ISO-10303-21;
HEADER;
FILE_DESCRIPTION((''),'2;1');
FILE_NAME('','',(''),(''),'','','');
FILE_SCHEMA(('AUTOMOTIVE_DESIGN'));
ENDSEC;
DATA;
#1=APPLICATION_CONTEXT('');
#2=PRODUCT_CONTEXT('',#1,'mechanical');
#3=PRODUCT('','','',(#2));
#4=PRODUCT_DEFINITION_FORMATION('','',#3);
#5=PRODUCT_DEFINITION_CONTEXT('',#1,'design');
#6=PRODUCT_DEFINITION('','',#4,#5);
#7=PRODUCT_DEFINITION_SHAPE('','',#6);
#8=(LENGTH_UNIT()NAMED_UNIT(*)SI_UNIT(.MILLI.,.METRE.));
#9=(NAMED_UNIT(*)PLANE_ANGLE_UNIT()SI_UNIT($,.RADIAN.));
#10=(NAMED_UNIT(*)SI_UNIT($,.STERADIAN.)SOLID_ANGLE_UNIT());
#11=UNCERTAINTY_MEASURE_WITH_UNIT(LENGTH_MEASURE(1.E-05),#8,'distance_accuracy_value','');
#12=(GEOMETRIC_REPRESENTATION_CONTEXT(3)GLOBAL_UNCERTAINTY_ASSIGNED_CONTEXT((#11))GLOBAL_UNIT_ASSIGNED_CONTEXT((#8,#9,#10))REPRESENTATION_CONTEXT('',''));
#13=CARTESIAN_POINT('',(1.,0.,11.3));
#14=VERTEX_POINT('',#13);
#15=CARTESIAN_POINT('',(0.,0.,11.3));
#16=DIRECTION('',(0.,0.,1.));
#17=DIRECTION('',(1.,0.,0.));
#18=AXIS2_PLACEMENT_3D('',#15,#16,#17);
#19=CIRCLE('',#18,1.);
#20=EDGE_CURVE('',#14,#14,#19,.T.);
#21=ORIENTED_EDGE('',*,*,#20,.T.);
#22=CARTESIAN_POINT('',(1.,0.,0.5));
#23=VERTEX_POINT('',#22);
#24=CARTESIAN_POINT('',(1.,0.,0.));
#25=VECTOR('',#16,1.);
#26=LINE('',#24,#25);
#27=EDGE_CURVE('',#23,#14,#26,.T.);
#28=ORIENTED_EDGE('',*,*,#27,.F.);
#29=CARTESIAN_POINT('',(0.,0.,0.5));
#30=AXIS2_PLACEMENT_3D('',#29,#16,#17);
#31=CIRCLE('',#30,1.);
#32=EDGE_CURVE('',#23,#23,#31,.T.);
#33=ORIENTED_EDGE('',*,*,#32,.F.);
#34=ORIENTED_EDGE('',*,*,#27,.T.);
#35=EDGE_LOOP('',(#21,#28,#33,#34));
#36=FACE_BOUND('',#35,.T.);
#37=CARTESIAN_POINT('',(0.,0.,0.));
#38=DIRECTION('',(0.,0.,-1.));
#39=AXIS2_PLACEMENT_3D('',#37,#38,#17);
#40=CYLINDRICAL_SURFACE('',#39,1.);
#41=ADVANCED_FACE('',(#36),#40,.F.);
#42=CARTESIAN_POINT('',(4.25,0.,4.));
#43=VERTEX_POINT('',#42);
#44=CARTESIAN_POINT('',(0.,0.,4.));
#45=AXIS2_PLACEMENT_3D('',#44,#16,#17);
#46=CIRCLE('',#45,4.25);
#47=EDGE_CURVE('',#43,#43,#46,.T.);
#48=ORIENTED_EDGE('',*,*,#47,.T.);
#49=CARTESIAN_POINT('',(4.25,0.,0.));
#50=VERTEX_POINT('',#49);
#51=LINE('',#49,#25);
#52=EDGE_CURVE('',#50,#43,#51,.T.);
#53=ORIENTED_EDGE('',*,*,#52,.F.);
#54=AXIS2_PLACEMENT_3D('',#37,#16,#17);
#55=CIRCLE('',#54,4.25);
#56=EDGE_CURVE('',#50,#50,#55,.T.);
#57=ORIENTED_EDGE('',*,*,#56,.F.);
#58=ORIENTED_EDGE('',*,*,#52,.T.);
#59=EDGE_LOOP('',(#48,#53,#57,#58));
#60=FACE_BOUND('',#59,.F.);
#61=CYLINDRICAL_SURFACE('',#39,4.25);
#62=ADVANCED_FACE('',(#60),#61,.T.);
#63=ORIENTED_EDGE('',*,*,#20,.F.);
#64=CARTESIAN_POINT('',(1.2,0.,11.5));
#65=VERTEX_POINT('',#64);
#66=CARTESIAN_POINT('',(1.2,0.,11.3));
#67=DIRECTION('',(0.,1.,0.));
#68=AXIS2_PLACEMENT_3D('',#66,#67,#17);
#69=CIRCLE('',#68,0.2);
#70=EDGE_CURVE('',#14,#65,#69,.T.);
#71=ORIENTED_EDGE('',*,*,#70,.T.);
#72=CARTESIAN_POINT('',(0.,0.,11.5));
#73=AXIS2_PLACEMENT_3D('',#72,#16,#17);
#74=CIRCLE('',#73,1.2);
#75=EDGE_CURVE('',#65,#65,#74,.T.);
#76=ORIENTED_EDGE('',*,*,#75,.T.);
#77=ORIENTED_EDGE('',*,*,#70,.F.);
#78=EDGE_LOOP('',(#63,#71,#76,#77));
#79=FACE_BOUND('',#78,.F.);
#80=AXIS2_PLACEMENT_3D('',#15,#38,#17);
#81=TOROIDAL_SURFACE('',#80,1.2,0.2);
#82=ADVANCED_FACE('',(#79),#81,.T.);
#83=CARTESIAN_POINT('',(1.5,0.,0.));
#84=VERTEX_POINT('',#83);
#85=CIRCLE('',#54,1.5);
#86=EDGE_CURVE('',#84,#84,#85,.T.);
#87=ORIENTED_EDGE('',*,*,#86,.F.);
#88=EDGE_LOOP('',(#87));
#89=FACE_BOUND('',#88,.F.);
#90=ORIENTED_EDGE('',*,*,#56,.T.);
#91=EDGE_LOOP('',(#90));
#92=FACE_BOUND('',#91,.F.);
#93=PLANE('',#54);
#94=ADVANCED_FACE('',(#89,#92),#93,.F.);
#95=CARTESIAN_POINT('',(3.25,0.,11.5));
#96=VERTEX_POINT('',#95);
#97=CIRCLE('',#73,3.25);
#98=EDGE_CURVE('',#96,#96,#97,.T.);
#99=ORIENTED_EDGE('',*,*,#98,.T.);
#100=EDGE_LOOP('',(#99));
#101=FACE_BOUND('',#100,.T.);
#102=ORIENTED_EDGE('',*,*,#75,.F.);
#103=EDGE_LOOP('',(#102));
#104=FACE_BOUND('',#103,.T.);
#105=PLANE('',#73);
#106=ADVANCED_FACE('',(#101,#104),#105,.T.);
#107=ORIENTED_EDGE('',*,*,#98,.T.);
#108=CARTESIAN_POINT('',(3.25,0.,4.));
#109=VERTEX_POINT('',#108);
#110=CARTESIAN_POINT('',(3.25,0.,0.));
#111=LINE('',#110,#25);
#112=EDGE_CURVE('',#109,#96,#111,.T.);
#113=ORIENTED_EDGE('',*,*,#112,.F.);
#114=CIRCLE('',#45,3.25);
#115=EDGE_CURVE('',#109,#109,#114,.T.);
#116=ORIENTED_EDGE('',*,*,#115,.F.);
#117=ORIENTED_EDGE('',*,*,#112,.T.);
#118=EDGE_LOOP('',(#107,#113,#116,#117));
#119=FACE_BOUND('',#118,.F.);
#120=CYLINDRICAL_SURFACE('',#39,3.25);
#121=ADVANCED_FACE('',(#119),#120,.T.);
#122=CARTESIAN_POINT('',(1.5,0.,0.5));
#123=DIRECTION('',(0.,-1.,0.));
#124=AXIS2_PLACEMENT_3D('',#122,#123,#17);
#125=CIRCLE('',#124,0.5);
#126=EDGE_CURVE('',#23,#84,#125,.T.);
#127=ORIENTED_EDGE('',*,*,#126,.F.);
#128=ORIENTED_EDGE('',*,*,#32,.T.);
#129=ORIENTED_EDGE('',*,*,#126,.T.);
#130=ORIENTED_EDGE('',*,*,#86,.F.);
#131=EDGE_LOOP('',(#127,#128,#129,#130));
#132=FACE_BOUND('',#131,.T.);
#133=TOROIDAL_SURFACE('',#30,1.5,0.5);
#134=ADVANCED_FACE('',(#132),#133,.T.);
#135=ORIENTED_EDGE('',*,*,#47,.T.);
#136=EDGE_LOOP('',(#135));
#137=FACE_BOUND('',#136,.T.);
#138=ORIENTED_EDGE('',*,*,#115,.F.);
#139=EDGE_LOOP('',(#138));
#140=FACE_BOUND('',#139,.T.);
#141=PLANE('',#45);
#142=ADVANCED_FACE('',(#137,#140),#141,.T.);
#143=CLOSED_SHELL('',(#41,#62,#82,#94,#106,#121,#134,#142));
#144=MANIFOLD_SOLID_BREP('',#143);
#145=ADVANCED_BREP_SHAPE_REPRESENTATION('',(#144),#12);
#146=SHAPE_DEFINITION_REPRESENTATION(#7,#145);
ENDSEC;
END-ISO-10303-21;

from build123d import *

# Parameters (mm, degrees)
F0_R     = 3.25
F0_R_2   = 1
F1_DEPTH = 11.5
F0_R_3   = 4.25
F2_DEPTH = 4
F3_R     = 0.2
F4_R     = 0.5


with BuildPart() as f1:
    # F0 (on Top) → F1 (new body)
    with BuildSketch(Plane.XY):
        Circle(F0_R)
        Circle(F0_R_2, mode=Mode.SUBTRACT)
    extrude(amount=F1_DEPTH)

    # F0 (on Top) → F2 (join)
    with BuildSketch(Plane.XY):
        Circle(F0_R_3)
        Circle(F0_R, mode=Mode.SUBTRACT)
    extrude(amount=F2_DEPTH)

    # F3
    f3_edges = [f1.edges().sort_by_distance(p)[0] for p in [
        (-1, 0, 11.5),
    ]]
    fillet(f3_edges, radius=F3_R)

    # F4
    f4_edges = [f1.edges().sort_by_distance(p)[0] for p in [
        (-1, 0, 0),
    ]]
    fillet(f4_edges, radius=F4_R)


solid = f1.part
